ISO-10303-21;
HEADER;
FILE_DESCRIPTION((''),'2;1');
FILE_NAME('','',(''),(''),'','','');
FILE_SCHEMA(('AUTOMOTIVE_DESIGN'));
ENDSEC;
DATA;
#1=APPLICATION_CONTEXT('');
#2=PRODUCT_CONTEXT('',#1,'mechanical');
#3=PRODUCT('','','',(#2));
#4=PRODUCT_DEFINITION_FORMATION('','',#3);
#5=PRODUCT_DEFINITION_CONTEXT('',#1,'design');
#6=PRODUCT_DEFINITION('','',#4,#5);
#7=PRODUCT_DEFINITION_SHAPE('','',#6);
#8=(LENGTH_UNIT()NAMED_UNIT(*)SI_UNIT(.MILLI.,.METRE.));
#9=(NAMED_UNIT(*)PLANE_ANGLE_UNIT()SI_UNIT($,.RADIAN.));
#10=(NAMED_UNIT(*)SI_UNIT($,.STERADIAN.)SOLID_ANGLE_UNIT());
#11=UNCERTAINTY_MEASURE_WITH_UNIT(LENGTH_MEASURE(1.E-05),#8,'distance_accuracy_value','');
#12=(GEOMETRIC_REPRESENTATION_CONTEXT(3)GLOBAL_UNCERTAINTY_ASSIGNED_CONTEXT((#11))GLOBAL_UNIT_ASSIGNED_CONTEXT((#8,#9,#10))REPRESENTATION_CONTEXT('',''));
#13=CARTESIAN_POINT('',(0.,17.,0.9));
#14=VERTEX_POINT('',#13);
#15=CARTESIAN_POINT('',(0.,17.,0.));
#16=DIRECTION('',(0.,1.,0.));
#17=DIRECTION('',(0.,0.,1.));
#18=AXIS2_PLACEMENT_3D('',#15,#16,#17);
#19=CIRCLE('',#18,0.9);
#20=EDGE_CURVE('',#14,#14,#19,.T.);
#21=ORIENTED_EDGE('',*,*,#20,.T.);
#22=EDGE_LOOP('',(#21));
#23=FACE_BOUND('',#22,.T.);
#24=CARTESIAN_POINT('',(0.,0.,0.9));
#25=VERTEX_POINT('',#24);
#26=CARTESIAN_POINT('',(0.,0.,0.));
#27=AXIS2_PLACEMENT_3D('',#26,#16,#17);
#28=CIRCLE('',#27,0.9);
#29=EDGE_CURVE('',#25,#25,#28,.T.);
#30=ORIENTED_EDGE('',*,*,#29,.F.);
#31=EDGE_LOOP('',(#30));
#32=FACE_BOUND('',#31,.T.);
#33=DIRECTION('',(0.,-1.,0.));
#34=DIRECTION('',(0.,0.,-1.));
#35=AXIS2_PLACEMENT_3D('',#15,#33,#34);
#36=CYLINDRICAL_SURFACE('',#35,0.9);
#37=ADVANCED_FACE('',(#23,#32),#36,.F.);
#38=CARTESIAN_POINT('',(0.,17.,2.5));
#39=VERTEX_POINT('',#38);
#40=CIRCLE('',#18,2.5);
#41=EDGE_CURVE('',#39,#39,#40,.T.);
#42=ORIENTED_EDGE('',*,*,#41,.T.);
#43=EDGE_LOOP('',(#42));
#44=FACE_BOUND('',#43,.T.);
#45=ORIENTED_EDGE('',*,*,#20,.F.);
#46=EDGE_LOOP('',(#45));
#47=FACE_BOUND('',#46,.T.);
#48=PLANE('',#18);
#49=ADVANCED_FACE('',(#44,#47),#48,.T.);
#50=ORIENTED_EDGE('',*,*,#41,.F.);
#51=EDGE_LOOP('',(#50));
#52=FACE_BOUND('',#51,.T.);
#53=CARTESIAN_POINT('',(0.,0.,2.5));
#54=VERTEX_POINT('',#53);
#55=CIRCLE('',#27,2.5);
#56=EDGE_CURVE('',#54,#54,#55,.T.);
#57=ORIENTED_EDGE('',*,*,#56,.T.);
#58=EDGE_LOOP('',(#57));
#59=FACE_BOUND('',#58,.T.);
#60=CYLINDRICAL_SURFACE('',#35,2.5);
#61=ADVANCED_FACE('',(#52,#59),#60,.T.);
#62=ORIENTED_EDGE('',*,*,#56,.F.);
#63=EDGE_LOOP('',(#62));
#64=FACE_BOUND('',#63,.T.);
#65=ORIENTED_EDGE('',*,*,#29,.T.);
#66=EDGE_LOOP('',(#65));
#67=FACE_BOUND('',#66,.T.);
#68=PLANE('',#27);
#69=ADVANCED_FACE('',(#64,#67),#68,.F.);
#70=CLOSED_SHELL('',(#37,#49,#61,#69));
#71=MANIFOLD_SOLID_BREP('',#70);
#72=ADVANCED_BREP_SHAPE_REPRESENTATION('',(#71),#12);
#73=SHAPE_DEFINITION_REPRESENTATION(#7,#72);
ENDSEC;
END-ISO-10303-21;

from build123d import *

# Parameters (mm, degrees)
SKETCH_2_R      = 2.5
SKETCH_2_R_2    = 0.9
EXTRUDE_1_DEPTH = 17


with BuildPart() as part:
    # 草图2 → 凸台-拉伸1 (new body)
    with BuildSketch(Plane(origin=(0, 0, 0), x_dir=(1, 0, 0), z_dir=(0, 1, 0))):
        with Locations(Location((0, 0, 0), (0, 0, 270))):
            Circle(SKETCH_2_R)
        with Locations(Location((0, 0, 0), (0, 0, 270))):
            Circle(SKETCH_2_R_2, mode=Mode.SUBTRACT)
    extrude(amount=EXTRUDE_1_DEPTH)


solid = part.part
